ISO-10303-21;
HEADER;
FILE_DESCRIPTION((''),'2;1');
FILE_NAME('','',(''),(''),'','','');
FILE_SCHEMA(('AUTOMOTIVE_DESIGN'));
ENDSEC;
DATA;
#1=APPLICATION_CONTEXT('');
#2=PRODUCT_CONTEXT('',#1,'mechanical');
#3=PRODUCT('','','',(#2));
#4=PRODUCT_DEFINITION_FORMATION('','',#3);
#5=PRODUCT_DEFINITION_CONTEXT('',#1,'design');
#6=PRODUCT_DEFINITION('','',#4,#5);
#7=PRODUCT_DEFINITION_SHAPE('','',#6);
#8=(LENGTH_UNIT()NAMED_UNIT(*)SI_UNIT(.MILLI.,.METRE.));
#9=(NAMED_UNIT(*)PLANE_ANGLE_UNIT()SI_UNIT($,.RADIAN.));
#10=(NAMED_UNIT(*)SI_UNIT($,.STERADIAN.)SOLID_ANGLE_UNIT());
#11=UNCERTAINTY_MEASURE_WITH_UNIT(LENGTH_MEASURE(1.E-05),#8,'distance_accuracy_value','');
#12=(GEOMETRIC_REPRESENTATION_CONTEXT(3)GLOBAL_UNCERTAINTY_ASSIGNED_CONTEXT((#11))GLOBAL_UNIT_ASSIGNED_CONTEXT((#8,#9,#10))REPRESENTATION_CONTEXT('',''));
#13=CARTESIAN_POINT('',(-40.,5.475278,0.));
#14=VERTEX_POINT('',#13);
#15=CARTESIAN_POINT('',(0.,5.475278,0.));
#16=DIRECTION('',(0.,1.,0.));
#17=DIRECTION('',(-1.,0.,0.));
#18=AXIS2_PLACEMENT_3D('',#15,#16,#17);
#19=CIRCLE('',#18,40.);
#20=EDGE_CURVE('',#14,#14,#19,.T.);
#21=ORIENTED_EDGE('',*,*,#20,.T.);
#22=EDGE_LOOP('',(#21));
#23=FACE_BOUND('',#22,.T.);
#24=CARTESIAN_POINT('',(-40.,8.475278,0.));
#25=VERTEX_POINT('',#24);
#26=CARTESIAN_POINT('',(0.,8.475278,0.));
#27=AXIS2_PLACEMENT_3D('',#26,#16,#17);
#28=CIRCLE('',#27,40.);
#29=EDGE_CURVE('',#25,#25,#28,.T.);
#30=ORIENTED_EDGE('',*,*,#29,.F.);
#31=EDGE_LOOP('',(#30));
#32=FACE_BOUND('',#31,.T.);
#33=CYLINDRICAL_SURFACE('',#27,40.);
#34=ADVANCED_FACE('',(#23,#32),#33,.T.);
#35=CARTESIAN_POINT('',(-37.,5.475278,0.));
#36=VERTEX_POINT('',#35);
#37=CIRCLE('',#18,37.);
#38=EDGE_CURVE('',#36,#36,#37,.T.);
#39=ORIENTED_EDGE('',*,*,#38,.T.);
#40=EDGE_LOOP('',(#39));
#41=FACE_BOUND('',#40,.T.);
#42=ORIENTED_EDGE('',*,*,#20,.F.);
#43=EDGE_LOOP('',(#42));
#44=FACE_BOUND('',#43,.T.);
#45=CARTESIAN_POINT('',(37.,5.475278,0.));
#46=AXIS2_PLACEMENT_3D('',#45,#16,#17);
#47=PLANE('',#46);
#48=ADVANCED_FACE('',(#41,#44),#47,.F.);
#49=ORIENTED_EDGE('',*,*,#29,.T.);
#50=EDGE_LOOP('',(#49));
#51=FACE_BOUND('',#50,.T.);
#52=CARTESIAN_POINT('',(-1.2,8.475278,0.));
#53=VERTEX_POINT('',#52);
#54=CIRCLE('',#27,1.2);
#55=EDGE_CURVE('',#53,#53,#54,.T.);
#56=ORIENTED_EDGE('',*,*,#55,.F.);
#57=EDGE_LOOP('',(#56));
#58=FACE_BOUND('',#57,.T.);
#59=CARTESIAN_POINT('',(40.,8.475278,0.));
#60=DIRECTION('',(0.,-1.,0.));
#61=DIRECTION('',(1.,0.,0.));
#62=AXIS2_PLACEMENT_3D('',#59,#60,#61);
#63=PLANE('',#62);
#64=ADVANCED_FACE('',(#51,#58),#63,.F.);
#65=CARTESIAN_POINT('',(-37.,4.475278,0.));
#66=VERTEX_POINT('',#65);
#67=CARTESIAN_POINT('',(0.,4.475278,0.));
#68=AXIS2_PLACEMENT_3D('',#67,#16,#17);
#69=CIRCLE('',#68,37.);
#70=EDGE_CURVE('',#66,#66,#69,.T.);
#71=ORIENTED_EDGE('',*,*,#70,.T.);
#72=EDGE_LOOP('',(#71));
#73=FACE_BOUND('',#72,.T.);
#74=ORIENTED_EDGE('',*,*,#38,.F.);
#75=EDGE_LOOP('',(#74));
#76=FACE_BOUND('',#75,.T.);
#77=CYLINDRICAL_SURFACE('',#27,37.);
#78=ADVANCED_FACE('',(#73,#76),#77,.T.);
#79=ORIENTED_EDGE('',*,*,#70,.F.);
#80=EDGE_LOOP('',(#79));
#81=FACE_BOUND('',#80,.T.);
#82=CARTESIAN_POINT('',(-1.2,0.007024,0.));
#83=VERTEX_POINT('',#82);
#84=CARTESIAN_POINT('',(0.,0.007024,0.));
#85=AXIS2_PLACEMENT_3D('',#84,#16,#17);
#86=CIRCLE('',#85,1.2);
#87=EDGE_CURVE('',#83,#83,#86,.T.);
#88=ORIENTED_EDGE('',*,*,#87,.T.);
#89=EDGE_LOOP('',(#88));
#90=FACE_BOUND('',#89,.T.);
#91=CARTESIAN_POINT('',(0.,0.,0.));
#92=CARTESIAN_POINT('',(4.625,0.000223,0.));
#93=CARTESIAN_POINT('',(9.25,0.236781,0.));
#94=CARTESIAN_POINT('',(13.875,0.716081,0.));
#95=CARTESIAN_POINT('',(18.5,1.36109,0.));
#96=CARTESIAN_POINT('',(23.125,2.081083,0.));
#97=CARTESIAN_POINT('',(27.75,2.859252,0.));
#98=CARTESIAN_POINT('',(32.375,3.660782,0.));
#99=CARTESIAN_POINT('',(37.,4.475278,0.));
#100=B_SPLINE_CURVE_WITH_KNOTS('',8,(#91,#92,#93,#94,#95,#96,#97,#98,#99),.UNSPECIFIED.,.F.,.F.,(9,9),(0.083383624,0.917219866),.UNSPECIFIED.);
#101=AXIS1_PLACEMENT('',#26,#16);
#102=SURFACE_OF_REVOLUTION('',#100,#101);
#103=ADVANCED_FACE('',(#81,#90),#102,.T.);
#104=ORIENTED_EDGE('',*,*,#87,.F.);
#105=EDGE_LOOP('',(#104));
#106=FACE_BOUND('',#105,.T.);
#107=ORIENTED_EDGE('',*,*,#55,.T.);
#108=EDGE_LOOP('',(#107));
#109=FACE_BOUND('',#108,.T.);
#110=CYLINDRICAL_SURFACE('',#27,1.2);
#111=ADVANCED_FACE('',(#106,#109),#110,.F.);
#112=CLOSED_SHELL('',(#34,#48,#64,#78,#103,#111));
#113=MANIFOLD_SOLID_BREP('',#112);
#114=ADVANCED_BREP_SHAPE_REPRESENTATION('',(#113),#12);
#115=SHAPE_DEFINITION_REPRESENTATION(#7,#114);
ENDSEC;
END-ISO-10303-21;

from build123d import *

# Parameters (mm, degrees)
SKETCH5_R          = 1.2
CUT_EXTRUDE1_DEPTH = 58.199915582


with BuildPart() as part:
    # Sketch3 → Revolve4 (revolve)
    with BuildSketch(Plane.XY, mode=Mode.PRIVATE) as revolve4_sk:
        with BuildLine():
            Line((1.2, 8.475278217), (1.2, 3.475278217))
            Line((1.2, 3.475278217), (0, 3.475278217))
            Line((0, 3.475278217), (0, 0))
            add(Edge.make_bspline(
                [(0, 0), (4.625000001, 0.000222748), (9.250000002, 0.236781286), (13.875000002, 0.716081328), (18.500000002, 1.36108971), (23.125000001, 2.08108319), (27.750000001, 2.859251975), (32.375, 3.660782133), (37, 4.475278217)],
                knots=[0.083383624, 0.083383624, 0.083383624, 0.083383624, 0.083383624, 0.083383624, 0.083383624, 0.083383624, 0.083383624, 0.917219866, 0.917219866, 0.917219866, 0.917219866, 0.917219866, 0.917219866, 0.917219866, 0.917219866, 0.917219866], degree=8))
            Line((37, 4.475278217), (37, 5.475278217))
            Line((37, 5.475278217), (40, 5.475278217))
            Line((40, 5.475278217), (40, 8.475278217))
            Line((40, 8.475278217), (1.2, 8.475278217))
        make_face()
    revolve(revolve4_sk.sketch.rotate(Axis((0, 8.475278217, 0), (0, -1, 0)), 180), axis=Axis((0, 8.475278217, 0), (0, -1, 0)))

    # Sketch5 → Cut-Extrude1 (cut, through all)
    with BuildSketch(Plane(origin=(0, 8.475278217, 0), x_dir=(1, 0, 0), z_dir=(0, 1, 0))):
        with Locations(Location((0, 0, 0), (0, 0, 180))):
            Circle(SKETCH5_R)
    extrude(amount=-CUT_EXTRUDE1_DEPTH, mode=Mode.SUBTRACT)


solid = part.part
